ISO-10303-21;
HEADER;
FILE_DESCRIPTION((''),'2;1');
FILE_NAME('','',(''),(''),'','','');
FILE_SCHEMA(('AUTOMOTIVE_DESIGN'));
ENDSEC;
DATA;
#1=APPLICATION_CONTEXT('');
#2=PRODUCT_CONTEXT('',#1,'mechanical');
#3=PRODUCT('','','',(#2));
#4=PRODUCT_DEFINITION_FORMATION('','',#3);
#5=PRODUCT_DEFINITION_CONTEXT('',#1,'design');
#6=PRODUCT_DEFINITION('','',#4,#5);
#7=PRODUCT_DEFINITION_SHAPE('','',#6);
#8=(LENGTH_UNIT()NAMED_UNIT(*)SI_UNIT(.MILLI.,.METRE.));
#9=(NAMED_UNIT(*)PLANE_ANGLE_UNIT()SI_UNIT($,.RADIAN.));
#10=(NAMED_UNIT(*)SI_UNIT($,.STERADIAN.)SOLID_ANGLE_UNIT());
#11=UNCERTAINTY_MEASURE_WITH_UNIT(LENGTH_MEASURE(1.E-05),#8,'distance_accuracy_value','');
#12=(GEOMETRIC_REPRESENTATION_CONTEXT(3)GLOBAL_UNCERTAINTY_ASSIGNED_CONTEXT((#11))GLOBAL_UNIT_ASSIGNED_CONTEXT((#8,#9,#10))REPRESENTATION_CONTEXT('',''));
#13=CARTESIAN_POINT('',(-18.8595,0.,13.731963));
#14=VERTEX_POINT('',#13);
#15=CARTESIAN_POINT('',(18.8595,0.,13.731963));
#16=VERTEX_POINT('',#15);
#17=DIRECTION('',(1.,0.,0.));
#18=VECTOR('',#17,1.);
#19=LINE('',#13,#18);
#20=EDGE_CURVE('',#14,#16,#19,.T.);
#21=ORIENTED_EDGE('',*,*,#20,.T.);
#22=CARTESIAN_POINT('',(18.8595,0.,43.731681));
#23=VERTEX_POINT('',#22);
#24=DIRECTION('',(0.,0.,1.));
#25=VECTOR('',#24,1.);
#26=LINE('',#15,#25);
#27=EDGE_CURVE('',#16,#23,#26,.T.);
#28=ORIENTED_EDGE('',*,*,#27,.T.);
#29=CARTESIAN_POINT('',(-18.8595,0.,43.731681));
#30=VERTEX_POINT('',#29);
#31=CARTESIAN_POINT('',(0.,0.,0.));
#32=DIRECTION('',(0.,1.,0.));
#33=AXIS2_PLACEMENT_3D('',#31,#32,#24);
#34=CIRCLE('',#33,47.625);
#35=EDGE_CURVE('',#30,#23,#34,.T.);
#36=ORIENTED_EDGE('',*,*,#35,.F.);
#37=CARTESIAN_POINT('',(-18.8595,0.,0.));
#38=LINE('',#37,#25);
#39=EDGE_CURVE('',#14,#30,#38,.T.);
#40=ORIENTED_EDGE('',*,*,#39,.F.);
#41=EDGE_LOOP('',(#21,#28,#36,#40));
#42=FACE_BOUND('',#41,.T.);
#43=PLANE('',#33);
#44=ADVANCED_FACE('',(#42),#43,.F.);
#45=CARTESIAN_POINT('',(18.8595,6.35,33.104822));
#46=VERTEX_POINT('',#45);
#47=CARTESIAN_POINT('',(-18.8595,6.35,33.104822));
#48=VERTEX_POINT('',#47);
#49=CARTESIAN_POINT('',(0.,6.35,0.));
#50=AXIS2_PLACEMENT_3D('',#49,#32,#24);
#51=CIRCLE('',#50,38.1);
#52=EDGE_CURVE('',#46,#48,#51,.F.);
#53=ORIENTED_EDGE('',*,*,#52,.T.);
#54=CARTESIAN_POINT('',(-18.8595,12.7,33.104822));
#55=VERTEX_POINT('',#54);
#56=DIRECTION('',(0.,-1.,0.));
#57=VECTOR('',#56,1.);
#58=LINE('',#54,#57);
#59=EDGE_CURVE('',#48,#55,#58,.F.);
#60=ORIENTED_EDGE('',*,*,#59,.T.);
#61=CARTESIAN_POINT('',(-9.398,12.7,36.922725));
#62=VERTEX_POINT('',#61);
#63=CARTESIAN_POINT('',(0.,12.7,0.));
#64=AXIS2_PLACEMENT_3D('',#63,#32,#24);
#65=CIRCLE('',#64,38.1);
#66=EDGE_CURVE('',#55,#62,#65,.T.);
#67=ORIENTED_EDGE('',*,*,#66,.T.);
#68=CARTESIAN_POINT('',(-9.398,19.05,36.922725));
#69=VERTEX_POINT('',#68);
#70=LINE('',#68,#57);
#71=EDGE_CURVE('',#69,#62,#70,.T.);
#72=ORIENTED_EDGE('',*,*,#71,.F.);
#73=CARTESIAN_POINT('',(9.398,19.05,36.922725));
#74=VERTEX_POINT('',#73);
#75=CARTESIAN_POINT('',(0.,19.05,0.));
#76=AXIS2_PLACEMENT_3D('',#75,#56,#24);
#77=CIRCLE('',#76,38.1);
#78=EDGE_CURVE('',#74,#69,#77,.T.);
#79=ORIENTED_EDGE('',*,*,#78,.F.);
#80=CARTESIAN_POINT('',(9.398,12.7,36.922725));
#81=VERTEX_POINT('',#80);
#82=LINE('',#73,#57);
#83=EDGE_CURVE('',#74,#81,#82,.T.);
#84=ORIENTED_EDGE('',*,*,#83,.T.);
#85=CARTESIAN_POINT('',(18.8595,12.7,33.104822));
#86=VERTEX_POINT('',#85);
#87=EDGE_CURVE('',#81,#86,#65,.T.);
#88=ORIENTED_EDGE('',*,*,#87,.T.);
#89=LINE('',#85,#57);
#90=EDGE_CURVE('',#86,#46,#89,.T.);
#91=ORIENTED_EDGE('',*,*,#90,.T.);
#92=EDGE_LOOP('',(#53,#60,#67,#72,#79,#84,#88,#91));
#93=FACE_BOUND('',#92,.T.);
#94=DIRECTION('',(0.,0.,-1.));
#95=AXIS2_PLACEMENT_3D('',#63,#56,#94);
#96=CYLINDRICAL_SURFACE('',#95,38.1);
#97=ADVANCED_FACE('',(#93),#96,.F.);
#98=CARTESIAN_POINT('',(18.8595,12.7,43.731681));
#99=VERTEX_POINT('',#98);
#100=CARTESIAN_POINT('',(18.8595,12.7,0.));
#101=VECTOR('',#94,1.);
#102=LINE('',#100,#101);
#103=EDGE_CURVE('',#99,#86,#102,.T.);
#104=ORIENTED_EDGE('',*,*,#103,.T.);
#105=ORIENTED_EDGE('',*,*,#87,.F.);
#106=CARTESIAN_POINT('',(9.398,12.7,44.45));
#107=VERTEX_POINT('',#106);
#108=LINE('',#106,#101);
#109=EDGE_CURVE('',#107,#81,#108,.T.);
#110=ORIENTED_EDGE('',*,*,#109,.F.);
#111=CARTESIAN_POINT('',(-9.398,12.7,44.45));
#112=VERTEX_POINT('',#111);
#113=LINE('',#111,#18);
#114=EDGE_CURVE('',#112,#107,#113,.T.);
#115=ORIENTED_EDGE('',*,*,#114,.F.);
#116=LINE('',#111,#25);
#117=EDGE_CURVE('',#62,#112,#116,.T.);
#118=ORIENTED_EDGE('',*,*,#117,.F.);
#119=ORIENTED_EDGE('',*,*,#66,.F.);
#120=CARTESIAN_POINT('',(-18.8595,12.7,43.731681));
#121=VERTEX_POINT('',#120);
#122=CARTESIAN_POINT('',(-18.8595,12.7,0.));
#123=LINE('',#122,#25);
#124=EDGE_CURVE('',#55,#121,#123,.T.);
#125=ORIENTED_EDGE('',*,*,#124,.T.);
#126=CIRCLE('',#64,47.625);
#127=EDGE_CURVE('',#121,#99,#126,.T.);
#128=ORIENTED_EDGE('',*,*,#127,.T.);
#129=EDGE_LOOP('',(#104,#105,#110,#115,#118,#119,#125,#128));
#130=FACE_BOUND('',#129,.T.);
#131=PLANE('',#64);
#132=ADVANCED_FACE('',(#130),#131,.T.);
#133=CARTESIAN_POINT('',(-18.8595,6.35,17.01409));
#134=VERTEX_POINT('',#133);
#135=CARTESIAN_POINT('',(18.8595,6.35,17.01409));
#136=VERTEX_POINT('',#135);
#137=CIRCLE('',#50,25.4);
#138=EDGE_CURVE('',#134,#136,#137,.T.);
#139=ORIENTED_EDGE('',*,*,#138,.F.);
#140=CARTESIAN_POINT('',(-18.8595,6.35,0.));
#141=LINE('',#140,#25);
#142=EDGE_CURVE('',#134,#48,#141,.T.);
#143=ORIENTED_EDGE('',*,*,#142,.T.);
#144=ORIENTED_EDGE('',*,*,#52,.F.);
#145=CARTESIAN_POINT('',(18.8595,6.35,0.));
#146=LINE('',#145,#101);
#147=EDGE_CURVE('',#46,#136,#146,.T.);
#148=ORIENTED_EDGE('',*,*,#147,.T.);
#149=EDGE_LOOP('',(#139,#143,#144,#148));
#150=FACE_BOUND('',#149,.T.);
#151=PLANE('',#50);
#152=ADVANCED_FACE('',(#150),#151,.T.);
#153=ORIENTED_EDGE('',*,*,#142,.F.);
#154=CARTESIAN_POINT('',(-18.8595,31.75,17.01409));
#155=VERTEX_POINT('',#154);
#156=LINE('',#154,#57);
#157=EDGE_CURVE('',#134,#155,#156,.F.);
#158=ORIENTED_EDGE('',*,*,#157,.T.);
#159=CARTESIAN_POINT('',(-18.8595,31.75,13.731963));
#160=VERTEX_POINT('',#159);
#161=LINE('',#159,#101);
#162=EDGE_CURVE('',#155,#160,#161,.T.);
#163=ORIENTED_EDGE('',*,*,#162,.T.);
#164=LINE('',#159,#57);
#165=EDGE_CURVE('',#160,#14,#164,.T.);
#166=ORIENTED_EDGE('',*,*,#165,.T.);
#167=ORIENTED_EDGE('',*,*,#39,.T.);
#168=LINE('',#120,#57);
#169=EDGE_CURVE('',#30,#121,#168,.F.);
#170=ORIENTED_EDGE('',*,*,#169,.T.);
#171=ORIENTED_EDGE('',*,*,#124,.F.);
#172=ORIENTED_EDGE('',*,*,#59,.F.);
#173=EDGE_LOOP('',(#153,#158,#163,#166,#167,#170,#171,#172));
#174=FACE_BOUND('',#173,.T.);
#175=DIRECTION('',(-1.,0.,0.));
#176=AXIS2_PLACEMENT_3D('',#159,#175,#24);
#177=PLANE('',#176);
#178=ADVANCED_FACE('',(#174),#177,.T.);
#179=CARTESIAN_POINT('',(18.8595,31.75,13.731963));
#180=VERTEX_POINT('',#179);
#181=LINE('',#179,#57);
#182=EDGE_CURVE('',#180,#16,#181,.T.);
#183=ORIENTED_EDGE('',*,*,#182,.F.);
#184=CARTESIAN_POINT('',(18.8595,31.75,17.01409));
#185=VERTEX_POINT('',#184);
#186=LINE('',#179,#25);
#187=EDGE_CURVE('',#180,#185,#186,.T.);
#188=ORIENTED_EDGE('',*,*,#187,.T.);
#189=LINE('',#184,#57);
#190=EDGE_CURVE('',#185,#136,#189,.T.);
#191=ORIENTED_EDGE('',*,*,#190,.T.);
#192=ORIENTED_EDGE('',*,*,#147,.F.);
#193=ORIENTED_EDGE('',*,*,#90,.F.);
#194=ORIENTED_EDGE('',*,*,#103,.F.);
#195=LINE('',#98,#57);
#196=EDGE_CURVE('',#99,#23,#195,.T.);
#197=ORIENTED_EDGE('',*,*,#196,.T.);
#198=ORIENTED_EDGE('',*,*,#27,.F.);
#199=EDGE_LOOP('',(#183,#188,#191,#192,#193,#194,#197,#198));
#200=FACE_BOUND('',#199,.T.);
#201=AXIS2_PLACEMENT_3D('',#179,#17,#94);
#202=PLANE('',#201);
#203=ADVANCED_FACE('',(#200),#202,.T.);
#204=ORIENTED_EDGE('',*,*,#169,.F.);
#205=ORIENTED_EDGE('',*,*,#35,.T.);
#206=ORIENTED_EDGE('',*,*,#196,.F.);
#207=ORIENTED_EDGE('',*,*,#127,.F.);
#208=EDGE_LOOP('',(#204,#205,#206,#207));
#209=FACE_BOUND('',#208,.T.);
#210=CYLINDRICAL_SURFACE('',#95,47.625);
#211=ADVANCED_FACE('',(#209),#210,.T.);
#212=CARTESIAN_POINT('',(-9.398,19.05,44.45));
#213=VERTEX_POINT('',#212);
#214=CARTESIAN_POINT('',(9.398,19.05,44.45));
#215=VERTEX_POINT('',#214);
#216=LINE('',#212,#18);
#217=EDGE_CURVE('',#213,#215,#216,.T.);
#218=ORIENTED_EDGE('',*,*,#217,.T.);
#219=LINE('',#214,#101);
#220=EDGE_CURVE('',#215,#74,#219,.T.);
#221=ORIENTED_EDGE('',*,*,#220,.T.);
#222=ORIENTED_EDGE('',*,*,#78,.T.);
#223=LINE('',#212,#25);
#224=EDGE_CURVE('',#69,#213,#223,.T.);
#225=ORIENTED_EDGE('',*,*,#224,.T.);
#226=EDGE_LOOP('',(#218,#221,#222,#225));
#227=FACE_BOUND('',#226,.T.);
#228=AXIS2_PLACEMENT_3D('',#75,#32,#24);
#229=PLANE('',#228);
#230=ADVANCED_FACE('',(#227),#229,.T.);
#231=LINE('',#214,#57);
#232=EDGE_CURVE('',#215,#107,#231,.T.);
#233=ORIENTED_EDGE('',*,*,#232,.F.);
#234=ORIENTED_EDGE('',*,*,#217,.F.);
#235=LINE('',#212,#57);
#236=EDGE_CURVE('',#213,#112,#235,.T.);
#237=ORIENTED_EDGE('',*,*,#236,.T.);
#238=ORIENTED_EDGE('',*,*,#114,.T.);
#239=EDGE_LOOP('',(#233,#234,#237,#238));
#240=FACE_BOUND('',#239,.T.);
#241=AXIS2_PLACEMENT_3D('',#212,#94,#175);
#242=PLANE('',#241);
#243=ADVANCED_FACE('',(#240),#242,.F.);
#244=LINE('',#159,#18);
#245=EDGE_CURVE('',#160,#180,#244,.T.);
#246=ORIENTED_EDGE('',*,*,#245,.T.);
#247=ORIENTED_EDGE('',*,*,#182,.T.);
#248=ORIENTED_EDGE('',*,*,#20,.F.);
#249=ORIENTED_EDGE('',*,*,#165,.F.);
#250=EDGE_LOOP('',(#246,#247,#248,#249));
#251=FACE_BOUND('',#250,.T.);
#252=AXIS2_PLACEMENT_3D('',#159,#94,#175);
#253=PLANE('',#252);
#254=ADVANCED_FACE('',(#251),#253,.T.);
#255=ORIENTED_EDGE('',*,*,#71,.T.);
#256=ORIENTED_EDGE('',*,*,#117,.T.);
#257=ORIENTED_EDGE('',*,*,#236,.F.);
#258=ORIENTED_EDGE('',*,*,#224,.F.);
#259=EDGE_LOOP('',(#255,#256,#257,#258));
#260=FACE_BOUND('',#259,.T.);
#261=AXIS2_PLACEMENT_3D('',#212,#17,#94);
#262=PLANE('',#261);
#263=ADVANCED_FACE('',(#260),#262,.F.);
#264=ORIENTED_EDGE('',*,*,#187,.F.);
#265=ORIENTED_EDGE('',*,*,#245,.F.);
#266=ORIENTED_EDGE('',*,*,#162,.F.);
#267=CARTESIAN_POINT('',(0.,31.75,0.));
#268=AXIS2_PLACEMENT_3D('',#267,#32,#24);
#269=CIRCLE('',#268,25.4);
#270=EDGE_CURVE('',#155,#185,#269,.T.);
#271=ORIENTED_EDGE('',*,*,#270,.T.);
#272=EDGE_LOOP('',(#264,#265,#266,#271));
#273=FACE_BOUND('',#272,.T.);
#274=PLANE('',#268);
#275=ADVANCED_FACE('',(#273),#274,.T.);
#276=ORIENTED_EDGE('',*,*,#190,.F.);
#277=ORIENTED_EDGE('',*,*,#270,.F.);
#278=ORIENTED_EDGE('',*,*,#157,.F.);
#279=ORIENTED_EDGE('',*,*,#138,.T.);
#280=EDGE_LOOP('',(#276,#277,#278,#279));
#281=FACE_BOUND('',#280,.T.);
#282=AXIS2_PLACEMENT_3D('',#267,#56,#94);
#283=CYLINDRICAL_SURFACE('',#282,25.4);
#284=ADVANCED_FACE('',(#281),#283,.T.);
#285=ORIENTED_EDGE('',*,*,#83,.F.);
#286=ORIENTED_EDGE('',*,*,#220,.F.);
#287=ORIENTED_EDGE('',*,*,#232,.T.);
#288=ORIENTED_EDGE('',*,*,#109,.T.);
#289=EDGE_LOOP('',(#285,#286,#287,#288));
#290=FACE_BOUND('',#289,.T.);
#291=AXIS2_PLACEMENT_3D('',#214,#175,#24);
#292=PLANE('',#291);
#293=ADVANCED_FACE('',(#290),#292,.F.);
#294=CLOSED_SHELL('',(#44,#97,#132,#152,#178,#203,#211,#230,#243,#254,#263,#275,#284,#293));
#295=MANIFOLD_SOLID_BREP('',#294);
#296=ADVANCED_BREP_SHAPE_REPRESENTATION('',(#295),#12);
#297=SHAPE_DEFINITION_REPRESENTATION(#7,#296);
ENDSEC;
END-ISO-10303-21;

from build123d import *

# Parameters (mm, degrees)
SKETCH1_R           = 38.1
BOSS_EXTRUDE1_DEPTH = 6.35
SKETCH2_R           = 25.4
BOSS_EXTRUDE2_DEPTH = 25.4
SKETCH3_R           = 47.625
SKETCH3_R_2         = 38.1
BOSS_EXTRUDE3_DEPTH = 12.7
CUT_EXTRUDE3_DEPTH  = 32.75
BOSS_EXTRUDE4_DEPTH = 6.35


with BuildPart() as part:
    # Sketch1 → Boss-Extrude1 (new body)
    with BuildSketch(Plane(origin=(0, 0, 0), x_dir=(1, 0, 0), z_dir=(0, 1, 0))):
        Circle(SKETCH1_R)
    extrude(amount=BOSS_EXTRUDE1_DEPTH)

    # Sketch2 → Boss-Extrude2 (add)
    with BuildSketch(Plane(origin=(0, 6.35, 0), x_dir=(1, 0, 0), z_dir=(0, 1, 0))):
        Circle(SKETCH2_R)
    extrude(amount=BOSS_EXTRUDE2_DEPTH)

    # Sketch3 → Boss-Extrude3 (add)
    with BuildSketch(Plane(origin=(0, 0, 0), x_dir=(1, 0, 0), z_dir=(0, 1, 0))):
        Circle(SKETCH3_R)
        Circle(SKETCH3_R_2, mode=Mode.SUBTRACT)
    extrude(amount=BOSS_EXTRUDE3_DEPTH)

    # Sketch4 → Cut-Extrude3 (cut, through all)
    with BuildSketch(Plane(origin=(0, 0, 0), x_dir=(1, 0, 0), z_dir=(0, 1, 0))):
        Polygon((-18.8595, -13.731963353), (18.8595, -13.731963353), (18.8595, -50.573816251), (47.625, -50.573816251), (47.625, 47.625), (19.007906819, 47.625), (-18.8595, 47.625), (-47.625, 47.625), (-47.625, -44.321865457), (-18.8595, -44.321865457), align=None)
    extrude(amount=CUT_EXTRUDE3_DEPTH, mode=Mode.SUBTRACT)

    # Sketch5 → Boss-Extrude4 (add)
    with BuildSketch(Plane(origin=(0, 12.7, 0), x_dir=(1, 0, 0), z_dir=(0, 1, 0))):
        with BuildLine():
            Line((-9.398, -44.45), (9.398, -44.45))
            Line((9.398, -44.45), (9.398, -36.922724656))
            ThreePointArc((9.398, -36.922724656), (0, -38.1), (-9.398, -36.922724656))
            Line((-9.398, -36.922724656), (-9.398, -44.45))
        make_face()
    extrude(amount=BOSS_EXTRUDE4_DEPTH)


solid = part.part
